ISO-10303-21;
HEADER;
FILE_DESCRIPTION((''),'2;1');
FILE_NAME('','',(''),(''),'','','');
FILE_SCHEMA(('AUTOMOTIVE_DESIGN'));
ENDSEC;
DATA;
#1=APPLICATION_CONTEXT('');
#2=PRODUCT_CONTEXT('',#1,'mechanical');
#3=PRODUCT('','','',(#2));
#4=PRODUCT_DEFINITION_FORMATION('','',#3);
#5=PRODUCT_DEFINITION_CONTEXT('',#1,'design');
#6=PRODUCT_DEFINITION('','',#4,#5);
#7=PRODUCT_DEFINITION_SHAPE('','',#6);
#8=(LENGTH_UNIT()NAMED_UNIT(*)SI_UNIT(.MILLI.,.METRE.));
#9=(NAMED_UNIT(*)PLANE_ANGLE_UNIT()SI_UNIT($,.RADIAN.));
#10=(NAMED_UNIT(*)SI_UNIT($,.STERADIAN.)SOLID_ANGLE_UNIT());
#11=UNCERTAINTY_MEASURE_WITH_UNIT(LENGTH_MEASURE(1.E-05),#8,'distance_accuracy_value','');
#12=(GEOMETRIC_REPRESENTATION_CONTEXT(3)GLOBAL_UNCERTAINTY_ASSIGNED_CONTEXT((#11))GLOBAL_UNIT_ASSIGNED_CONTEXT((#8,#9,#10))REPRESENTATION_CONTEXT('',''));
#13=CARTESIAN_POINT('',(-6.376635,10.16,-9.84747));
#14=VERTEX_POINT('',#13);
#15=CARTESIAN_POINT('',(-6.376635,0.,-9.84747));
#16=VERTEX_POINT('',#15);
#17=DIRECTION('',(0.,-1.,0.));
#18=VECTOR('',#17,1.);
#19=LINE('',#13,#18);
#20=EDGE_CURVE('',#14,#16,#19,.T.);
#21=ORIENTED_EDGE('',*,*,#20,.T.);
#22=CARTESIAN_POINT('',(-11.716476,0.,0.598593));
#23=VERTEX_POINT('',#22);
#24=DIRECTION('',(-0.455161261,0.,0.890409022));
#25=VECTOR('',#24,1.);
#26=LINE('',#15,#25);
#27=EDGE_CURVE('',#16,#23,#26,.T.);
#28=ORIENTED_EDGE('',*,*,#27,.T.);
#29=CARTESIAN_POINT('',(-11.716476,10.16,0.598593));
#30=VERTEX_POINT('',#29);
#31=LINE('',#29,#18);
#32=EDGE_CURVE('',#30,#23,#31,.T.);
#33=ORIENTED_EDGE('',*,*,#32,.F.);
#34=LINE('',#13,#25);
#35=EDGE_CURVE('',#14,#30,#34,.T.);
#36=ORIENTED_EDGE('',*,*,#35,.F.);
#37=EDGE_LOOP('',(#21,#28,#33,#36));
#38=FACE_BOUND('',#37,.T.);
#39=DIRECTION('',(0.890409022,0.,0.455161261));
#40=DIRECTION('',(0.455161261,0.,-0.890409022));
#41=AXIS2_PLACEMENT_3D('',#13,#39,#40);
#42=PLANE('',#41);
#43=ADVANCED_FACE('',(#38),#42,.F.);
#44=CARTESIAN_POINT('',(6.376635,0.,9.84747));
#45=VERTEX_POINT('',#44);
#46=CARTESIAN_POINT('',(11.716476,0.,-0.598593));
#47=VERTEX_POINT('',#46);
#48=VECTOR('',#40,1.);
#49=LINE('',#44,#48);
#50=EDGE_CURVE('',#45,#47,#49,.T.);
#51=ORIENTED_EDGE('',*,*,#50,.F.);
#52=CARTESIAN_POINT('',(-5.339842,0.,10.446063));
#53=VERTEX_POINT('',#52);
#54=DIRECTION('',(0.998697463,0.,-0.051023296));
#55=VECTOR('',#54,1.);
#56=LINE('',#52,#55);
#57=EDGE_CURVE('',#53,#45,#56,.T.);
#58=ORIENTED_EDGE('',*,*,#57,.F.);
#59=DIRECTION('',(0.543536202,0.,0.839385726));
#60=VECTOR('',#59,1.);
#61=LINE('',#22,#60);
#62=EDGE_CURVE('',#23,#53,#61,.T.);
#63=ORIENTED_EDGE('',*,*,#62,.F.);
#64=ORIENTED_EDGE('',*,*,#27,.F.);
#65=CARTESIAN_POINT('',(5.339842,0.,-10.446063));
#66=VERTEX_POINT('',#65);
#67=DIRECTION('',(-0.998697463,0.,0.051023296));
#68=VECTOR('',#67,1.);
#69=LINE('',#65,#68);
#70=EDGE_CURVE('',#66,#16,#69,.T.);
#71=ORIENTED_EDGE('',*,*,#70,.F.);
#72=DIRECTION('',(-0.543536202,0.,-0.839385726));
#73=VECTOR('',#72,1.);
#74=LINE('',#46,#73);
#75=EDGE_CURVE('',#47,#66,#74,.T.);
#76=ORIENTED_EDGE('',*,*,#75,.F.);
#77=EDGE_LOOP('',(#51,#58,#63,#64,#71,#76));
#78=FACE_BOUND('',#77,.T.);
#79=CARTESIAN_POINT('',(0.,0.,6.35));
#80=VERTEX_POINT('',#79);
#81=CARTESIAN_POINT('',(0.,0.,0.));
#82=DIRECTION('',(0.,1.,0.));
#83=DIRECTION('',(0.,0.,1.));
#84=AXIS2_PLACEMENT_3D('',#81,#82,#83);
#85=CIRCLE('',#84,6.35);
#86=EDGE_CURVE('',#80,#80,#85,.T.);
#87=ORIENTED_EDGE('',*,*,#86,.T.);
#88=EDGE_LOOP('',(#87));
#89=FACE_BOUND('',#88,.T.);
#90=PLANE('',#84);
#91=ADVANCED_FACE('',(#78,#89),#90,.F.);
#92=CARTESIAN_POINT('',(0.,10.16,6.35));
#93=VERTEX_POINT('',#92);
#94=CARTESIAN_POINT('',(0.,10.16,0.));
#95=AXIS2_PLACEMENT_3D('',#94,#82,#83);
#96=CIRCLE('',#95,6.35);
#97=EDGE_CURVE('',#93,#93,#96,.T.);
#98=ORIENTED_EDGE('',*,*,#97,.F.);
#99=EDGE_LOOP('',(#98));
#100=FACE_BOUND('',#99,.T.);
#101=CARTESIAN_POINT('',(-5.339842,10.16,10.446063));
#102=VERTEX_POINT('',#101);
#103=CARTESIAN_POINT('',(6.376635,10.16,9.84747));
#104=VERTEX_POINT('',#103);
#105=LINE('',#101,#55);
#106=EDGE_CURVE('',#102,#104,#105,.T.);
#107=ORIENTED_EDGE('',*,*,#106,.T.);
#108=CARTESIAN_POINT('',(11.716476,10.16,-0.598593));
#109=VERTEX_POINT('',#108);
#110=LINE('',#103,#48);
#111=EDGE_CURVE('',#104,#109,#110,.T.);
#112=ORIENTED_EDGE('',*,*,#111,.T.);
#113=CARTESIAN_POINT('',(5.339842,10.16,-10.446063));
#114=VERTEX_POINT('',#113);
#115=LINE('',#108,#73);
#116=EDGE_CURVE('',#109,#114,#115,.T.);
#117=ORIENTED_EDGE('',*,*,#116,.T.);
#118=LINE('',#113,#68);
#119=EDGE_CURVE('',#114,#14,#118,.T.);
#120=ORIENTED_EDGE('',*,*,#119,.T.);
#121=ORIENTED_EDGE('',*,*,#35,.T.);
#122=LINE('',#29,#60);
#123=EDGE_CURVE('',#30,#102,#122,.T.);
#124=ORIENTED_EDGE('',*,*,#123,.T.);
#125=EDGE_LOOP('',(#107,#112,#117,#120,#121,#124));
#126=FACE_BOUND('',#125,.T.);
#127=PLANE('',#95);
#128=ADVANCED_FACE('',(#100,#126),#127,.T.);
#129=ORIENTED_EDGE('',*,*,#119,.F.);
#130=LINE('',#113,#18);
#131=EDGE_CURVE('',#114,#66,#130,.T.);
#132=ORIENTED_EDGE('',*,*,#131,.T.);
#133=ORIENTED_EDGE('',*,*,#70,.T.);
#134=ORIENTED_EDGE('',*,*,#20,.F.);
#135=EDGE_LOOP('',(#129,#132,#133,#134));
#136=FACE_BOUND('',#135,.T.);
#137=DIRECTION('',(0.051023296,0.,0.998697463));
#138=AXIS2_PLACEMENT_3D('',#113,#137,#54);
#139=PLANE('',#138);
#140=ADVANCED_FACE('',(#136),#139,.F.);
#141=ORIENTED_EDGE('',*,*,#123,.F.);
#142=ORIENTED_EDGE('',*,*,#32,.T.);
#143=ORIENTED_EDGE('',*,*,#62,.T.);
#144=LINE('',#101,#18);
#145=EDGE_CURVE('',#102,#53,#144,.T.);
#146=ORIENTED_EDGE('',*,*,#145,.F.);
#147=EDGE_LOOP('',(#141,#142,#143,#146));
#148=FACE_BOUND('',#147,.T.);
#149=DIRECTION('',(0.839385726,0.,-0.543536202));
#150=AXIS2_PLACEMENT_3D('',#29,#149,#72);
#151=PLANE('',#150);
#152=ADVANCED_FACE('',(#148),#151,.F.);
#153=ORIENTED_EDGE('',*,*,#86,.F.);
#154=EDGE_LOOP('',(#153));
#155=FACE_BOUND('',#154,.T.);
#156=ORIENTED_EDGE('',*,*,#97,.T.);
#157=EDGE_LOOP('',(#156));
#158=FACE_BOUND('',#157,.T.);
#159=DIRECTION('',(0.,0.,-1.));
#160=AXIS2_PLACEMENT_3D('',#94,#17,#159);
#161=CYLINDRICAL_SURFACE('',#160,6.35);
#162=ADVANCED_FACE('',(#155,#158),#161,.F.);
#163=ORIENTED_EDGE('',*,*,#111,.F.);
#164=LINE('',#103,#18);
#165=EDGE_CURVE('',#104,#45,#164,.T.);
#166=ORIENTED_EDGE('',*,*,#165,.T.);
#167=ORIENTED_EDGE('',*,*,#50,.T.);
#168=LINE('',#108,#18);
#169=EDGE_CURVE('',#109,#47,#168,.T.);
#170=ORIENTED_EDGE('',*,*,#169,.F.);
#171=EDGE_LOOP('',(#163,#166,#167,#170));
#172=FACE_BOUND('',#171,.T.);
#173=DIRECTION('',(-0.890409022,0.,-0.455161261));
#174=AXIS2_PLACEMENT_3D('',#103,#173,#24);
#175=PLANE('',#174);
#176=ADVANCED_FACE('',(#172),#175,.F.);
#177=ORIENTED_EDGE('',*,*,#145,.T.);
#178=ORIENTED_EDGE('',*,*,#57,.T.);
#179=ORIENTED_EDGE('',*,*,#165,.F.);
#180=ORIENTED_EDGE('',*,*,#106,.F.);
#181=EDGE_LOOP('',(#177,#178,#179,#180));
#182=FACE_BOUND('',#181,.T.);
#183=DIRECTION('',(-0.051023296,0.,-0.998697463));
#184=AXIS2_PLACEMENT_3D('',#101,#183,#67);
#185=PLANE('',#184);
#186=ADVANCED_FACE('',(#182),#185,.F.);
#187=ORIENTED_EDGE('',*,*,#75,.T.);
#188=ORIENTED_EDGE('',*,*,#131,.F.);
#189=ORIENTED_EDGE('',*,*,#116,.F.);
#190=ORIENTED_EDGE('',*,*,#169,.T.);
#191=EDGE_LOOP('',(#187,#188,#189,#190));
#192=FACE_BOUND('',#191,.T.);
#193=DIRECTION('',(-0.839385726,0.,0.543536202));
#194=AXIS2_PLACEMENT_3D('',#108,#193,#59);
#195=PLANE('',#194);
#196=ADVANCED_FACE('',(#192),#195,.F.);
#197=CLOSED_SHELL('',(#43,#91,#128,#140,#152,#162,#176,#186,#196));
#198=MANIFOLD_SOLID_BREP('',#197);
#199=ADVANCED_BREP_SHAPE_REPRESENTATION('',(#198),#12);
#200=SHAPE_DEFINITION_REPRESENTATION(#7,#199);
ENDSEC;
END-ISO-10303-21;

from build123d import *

# Parameters (mm, degrees)
SKETCH1_R           = 6.35
BOSS_EXTRUDE1_DEPTH = 10.16


with BuildPart() as part:
    # Sketch1 → Boss-Extrude1 (new body)
    with BuildSketch(Plane(origin=(0, 0, 0), x_dir=(1, 0, 0), z_dir=(0, 1, 0))):
        Polygon((6.376634901, -9.84746976), (11.716476426, 0.598592935), (5.339841525, 10.446062695), (-6.376634901, 9.84746976), (-11.716476426, -0.598592935), (-5.339841525, -10.446062695), align=None)
        with Locations(Location((0, 0, 0), (0, 0, 270))):
            Circle(SKETCH1_R, mode=Mode.SUBTRACT)
    extrude(amount=BOSS_EXTRUDE1_DEPTH)


solid = part.part
